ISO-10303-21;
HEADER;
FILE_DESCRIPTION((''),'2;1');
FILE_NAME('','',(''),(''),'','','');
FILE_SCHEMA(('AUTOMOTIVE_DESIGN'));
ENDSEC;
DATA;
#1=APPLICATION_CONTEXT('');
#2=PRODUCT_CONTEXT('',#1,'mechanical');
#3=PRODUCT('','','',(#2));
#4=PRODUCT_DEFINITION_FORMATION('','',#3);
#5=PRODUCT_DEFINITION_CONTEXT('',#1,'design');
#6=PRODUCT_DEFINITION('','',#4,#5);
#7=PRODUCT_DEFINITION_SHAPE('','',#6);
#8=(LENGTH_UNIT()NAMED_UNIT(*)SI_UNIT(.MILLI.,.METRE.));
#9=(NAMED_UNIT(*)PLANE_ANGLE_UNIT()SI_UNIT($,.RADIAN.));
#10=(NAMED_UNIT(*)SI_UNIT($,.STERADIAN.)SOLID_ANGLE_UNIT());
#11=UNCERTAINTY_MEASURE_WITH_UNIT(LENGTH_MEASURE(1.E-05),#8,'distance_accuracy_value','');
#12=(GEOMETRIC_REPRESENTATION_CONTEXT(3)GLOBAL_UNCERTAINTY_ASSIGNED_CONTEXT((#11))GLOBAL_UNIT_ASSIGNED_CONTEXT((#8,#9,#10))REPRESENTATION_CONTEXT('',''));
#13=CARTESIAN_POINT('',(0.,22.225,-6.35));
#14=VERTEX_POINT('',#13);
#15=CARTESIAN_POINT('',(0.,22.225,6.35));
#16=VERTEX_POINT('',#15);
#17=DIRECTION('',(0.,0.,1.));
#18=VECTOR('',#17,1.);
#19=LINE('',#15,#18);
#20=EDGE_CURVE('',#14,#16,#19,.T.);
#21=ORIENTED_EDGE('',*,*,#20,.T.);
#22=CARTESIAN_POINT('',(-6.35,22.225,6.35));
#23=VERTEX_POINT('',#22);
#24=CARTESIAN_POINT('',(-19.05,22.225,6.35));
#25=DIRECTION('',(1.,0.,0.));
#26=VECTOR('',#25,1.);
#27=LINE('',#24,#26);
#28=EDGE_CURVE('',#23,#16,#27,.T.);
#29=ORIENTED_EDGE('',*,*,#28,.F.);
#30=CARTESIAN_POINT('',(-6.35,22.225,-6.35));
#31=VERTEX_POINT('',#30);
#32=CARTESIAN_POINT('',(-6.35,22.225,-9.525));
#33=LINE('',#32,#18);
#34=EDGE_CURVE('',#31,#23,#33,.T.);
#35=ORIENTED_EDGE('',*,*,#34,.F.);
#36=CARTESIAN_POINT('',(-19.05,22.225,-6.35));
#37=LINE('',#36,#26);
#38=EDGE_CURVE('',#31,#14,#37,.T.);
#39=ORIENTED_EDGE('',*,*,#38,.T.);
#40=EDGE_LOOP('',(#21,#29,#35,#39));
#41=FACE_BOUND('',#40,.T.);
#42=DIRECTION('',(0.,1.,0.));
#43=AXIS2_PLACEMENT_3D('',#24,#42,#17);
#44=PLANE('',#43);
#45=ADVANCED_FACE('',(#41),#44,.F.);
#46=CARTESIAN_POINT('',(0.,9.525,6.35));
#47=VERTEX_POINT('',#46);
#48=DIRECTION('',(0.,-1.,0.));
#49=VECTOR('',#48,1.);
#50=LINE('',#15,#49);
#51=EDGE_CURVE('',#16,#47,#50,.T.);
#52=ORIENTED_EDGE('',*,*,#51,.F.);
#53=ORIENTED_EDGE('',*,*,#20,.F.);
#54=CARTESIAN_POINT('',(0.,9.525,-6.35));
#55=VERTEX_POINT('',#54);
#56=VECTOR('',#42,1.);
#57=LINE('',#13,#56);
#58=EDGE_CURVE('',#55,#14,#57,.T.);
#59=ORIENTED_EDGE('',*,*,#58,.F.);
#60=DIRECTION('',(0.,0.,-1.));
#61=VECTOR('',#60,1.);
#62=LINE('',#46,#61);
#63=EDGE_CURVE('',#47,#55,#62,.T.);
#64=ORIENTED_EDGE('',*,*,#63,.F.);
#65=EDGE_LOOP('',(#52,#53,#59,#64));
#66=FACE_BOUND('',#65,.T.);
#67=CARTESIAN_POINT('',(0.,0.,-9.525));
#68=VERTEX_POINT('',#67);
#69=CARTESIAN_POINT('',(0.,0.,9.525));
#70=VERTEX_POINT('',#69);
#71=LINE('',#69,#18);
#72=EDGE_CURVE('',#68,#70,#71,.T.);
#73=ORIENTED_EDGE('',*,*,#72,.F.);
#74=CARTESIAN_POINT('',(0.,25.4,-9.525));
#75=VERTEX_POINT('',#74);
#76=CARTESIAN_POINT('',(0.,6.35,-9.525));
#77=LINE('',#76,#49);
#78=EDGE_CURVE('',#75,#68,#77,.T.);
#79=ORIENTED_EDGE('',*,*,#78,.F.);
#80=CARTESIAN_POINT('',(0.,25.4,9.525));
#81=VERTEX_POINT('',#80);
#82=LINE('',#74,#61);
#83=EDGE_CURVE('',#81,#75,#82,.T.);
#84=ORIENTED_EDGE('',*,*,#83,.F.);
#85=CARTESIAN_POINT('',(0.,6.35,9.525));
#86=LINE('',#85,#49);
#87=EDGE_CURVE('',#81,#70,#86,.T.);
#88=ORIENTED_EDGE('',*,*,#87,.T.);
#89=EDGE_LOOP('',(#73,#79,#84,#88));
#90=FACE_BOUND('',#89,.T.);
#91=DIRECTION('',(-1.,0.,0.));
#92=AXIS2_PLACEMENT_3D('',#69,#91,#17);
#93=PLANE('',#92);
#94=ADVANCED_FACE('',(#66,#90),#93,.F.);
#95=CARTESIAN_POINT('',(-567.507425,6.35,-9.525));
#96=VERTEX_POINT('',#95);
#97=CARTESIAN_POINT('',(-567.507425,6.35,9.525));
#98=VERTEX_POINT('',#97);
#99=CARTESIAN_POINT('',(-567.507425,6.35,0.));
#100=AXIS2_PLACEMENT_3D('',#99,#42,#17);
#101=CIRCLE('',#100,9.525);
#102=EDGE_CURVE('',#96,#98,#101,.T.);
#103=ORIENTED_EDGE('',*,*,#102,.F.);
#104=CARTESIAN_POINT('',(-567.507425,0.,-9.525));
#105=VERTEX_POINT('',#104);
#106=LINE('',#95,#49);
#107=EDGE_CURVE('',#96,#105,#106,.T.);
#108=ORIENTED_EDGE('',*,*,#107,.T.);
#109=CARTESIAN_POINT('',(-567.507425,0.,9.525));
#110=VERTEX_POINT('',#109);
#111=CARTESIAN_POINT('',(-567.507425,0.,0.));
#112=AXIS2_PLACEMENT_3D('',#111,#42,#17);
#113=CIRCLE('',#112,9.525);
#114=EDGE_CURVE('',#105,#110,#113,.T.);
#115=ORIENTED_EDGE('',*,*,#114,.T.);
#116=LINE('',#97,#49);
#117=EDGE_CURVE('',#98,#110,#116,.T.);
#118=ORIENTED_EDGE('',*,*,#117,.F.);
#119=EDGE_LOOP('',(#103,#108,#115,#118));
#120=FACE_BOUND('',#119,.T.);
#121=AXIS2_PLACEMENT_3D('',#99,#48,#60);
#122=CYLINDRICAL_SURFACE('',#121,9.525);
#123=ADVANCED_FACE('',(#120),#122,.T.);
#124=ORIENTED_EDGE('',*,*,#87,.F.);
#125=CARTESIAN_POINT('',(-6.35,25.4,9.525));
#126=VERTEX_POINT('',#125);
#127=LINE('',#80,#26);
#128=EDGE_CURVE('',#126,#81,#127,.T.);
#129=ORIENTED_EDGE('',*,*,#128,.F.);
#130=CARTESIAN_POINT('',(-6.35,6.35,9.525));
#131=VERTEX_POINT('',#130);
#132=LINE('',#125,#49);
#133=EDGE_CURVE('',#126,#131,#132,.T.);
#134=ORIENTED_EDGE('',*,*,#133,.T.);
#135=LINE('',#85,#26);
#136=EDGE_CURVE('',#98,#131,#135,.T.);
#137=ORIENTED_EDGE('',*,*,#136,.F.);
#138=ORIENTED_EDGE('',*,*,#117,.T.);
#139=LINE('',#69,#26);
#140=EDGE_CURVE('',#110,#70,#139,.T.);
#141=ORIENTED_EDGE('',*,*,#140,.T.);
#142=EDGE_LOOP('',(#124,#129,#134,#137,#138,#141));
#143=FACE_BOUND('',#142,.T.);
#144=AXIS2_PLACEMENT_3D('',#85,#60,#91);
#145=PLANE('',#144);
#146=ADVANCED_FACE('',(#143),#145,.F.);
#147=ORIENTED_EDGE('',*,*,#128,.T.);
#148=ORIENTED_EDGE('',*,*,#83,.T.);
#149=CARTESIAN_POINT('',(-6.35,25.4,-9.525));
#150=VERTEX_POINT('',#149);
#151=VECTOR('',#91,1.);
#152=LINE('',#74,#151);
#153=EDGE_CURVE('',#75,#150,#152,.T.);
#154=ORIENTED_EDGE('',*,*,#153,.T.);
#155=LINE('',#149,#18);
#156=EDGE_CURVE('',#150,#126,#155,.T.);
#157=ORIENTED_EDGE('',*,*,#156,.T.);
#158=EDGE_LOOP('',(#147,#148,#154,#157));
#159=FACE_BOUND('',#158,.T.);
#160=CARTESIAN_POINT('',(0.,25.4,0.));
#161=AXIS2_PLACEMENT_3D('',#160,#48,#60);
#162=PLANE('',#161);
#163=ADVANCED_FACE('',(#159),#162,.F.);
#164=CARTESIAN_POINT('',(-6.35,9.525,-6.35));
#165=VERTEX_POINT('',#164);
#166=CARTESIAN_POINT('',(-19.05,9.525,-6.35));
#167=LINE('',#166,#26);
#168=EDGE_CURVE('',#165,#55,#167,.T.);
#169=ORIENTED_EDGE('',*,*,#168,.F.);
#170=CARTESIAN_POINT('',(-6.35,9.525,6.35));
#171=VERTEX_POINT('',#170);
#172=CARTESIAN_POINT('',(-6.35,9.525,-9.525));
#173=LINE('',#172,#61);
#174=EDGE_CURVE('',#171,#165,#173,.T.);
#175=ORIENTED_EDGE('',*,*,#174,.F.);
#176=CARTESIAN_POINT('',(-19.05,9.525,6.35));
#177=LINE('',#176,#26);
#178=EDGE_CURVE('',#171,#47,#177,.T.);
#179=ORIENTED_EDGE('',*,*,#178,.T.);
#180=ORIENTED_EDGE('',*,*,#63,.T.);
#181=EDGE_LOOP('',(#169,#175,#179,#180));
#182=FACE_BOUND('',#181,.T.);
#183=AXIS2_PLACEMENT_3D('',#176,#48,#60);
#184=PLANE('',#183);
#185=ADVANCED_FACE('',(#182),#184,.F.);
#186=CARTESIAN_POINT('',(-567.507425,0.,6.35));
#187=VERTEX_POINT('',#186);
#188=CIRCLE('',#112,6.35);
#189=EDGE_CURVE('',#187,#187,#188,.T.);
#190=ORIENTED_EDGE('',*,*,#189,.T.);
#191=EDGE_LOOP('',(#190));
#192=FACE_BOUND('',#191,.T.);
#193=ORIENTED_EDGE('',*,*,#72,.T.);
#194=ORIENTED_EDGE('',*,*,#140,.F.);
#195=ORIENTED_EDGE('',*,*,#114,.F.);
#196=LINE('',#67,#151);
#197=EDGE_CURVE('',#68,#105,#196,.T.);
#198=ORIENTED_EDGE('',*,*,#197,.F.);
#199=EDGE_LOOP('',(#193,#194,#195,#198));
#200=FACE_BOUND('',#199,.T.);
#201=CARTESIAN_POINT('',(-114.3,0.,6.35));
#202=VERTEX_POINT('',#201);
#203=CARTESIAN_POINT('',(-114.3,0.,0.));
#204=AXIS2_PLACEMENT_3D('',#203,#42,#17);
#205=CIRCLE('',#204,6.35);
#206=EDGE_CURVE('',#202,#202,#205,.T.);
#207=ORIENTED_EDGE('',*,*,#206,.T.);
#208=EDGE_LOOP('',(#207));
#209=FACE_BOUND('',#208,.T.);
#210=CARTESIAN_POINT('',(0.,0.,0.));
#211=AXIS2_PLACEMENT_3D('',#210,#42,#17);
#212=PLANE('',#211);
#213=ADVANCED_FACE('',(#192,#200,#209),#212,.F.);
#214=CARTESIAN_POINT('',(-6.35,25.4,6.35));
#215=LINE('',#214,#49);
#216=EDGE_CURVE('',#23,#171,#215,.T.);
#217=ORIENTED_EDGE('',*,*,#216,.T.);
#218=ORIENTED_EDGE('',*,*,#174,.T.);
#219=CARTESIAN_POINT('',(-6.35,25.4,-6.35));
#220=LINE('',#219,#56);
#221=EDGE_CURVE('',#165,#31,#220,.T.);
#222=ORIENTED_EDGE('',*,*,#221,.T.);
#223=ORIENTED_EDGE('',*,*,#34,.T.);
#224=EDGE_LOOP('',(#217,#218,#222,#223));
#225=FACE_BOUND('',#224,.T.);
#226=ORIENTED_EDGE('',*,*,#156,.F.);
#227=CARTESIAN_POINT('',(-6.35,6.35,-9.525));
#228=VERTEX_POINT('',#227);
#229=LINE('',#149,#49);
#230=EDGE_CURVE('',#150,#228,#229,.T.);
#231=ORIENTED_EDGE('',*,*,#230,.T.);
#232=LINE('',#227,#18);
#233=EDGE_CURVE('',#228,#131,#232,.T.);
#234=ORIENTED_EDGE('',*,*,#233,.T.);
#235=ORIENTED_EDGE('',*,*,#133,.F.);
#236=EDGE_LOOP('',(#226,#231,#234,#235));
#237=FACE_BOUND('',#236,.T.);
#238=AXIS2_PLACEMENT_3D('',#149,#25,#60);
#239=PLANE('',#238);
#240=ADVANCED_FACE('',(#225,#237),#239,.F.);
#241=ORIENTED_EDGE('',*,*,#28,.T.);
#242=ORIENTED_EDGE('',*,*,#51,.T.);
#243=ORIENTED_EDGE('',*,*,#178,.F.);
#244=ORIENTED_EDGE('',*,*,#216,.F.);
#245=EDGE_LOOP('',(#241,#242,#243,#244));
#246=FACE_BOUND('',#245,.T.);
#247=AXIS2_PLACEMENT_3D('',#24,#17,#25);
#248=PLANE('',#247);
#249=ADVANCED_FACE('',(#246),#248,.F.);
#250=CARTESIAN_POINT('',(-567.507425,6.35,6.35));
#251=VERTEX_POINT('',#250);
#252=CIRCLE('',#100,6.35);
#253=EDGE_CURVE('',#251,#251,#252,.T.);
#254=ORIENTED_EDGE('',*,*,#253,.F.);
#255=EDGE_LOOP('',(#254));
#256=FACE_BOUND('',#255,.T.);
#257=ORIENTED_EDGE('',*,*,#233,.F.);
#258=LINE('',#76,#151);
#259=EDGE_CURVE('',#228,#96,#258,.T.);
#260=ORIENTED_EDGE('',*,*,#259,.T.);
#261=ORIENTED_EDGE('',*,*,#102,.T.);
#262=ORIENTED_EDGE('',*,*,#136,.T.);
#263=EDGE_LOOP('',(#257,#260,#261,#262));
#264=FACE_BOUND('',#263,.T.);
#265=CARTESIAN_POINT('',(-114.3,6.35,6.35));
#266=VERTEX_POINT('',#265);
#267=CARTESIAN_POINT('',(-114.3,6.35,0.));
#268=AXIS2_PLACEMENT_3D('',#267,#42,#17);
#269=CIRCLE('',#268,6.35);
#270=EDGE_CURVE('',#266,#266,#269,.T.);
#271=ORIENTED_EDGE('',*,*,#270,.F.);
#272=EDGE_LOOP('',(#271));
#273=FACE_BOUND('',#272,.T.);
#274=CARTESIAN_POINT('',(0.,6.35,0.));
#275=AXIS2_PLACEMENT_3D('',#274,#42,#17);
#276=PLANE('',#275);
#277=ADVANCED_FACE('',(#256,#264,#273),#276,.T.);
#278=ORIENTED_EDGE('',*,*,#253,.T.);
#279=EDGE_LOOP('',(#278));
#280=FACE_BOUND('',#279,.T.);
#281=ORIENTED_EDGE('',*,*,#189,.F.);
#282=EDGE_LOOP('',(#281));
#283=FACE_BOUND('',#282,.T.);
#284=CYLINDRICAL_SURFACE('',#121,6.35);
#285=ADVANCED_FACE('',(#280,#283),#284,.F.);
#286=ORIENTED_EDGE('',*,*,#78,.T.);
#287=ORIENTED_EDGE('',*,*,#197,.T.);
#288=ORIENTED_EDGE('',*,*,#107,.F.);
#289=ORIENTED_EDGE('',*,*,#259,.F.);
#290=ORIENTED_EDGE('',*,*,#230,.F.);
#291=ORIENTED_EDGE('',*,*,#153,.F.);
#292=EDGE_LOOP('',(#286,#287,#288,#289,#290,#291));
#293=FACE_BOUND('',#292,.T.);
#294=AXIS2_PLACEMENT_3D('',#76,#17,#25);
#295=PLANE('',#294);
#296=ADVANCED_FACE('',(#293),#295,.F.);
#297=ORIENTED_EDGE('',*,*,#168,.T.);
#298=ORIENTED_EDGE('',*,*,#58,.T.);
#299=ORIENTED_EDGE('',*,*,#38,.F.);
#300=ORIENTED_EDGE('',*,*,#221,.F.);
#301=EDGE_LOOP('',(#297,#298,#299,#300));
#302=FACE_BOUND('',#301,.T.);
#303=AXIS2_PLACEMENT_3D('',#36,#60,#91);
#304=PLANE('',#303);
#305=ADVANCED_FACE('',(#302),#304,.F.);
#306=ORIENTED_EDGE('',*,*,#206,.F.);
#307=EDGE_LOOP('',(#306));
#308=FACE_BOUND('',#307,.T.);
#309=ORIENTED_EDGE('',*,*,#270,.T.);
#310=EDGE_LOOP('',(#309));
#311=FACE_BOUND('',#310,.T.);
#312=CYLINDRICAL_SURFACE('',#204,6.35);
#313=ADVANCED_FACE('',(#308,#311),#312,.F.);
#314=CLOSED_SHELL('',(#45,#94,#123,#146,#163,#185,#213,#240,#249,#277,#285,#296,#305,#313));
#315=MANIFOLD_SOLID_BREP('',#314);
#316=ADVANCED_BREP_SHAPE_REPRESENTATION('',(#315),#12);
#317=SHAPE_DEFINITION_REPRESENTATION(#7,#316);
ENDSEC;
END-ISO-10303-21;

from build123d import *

# Parameters (mm, degrees)
SKETCH1_R           = 6.35
BOSS_EXTRUDE1_DEPTH = 6.35
SKETCH2_R           = 6.35
CUT_EXTRUDE1_DEPTH  = 6.35
CUT_EXTRUDE2_START  = -6.35
CUT_EXTRUDE2_DEPTH  = 6.35
SKETCH4_W           = 6.35
SKETCH4_H           = 19.05
BOSS_EXTRUDE2_DEPTH = 19.05
SKETCH5_W           = 12.7
SKETCH5_H           = 12.7
CUT_EXTRUDE3_DEPTH  = 19.05


with BuildPart() as part:
    # Sketch1 → Boss-Extrude1 (new body)
    with BuildSketch(Plane(origin=(0, 0, 0), x_dir=(1, 0, 0), z_dir=(0, 1, 0))):
        with BuildLine():
            Line((0, -9.525), (-567.5074248, -9.525))
            ThreePointArc((-567.5074248, -9.525), (-577.0324248, 0), (-567.5074248, 9.525))
            Line((-567.5074248, 9.525), (0, 9.525))
            ThreePointArc((0, 9.525), (9.525, 0), (0, -9.525))
        make_face()
        with Locations(Location((-567.5074248, 0, 0), (0, 0, 270))):
            Circle(SKETCH1_R, mode=Mode.SUBTRACT)
    extrude(amount=BOSS_EXTRUDE1_DEPTH)

    # Sketch2 → Cut-Extrude1 (cut)
    with BuildSketch(Plane(origin=(0, 6.35, 0), x_dir=(1, 0, 0), z_dir=(0, 1, 0))):
        with Locations(Location((-114.3, 0, 0), (0, 0, 270))):
            Circle(SKETCH2_R)
    extrude(amount=-CUT_EXTRUDE1_DEPTH, mode=Mode.SUBTRACT)

    # Sketch3 → Cut-Extrude2 (cut)
    with BuildSketch(Plane(origin=(0, 6.35, 0), x_dir=(1, 0, 0), z_dir=(0, 1, 0)).offset(CUT_EXTRUDE2_START)):
        with BuildLine():
            Line((0, -9.525), (0, 9.525))
            ThreePointArc((0, 9.525), (9.525, 0), (0, -9.525))
        make_face()
    extrude(amount=CUT_EXTRUDE2_DEPTH, mode=Mode.SUBTRACT)

    # Sketch4 → Boss-Extrude2 (add)
    with BuildSketch(Plane(origin=(0, 6.35, 0), x_dir=(1, 0, 0), z_dir=(0, 1, 0))):
        with Locations((-3.175, 0)):
            Rectangle(SKETCH4_W, SKETCH4_H)
    extrude(amount=BOSS_EXTRUDE2_DEPTH)

    # Sketch5 → Cut-Extrude3 (cut)
    with BuildSketch(Plane(origin=(0, 0, 0), x_dir=(0, 0, -1), z_dir=(1, 0, 0))):
        with Locations((0, 15.875)):
            Rectangle(SKETCH5_W, SKETCH5_H)
    extrude(amount=-CUT_EXTRUDE3_DEPTH, mode=Mode.SUBTRACT)


solid = part.part
